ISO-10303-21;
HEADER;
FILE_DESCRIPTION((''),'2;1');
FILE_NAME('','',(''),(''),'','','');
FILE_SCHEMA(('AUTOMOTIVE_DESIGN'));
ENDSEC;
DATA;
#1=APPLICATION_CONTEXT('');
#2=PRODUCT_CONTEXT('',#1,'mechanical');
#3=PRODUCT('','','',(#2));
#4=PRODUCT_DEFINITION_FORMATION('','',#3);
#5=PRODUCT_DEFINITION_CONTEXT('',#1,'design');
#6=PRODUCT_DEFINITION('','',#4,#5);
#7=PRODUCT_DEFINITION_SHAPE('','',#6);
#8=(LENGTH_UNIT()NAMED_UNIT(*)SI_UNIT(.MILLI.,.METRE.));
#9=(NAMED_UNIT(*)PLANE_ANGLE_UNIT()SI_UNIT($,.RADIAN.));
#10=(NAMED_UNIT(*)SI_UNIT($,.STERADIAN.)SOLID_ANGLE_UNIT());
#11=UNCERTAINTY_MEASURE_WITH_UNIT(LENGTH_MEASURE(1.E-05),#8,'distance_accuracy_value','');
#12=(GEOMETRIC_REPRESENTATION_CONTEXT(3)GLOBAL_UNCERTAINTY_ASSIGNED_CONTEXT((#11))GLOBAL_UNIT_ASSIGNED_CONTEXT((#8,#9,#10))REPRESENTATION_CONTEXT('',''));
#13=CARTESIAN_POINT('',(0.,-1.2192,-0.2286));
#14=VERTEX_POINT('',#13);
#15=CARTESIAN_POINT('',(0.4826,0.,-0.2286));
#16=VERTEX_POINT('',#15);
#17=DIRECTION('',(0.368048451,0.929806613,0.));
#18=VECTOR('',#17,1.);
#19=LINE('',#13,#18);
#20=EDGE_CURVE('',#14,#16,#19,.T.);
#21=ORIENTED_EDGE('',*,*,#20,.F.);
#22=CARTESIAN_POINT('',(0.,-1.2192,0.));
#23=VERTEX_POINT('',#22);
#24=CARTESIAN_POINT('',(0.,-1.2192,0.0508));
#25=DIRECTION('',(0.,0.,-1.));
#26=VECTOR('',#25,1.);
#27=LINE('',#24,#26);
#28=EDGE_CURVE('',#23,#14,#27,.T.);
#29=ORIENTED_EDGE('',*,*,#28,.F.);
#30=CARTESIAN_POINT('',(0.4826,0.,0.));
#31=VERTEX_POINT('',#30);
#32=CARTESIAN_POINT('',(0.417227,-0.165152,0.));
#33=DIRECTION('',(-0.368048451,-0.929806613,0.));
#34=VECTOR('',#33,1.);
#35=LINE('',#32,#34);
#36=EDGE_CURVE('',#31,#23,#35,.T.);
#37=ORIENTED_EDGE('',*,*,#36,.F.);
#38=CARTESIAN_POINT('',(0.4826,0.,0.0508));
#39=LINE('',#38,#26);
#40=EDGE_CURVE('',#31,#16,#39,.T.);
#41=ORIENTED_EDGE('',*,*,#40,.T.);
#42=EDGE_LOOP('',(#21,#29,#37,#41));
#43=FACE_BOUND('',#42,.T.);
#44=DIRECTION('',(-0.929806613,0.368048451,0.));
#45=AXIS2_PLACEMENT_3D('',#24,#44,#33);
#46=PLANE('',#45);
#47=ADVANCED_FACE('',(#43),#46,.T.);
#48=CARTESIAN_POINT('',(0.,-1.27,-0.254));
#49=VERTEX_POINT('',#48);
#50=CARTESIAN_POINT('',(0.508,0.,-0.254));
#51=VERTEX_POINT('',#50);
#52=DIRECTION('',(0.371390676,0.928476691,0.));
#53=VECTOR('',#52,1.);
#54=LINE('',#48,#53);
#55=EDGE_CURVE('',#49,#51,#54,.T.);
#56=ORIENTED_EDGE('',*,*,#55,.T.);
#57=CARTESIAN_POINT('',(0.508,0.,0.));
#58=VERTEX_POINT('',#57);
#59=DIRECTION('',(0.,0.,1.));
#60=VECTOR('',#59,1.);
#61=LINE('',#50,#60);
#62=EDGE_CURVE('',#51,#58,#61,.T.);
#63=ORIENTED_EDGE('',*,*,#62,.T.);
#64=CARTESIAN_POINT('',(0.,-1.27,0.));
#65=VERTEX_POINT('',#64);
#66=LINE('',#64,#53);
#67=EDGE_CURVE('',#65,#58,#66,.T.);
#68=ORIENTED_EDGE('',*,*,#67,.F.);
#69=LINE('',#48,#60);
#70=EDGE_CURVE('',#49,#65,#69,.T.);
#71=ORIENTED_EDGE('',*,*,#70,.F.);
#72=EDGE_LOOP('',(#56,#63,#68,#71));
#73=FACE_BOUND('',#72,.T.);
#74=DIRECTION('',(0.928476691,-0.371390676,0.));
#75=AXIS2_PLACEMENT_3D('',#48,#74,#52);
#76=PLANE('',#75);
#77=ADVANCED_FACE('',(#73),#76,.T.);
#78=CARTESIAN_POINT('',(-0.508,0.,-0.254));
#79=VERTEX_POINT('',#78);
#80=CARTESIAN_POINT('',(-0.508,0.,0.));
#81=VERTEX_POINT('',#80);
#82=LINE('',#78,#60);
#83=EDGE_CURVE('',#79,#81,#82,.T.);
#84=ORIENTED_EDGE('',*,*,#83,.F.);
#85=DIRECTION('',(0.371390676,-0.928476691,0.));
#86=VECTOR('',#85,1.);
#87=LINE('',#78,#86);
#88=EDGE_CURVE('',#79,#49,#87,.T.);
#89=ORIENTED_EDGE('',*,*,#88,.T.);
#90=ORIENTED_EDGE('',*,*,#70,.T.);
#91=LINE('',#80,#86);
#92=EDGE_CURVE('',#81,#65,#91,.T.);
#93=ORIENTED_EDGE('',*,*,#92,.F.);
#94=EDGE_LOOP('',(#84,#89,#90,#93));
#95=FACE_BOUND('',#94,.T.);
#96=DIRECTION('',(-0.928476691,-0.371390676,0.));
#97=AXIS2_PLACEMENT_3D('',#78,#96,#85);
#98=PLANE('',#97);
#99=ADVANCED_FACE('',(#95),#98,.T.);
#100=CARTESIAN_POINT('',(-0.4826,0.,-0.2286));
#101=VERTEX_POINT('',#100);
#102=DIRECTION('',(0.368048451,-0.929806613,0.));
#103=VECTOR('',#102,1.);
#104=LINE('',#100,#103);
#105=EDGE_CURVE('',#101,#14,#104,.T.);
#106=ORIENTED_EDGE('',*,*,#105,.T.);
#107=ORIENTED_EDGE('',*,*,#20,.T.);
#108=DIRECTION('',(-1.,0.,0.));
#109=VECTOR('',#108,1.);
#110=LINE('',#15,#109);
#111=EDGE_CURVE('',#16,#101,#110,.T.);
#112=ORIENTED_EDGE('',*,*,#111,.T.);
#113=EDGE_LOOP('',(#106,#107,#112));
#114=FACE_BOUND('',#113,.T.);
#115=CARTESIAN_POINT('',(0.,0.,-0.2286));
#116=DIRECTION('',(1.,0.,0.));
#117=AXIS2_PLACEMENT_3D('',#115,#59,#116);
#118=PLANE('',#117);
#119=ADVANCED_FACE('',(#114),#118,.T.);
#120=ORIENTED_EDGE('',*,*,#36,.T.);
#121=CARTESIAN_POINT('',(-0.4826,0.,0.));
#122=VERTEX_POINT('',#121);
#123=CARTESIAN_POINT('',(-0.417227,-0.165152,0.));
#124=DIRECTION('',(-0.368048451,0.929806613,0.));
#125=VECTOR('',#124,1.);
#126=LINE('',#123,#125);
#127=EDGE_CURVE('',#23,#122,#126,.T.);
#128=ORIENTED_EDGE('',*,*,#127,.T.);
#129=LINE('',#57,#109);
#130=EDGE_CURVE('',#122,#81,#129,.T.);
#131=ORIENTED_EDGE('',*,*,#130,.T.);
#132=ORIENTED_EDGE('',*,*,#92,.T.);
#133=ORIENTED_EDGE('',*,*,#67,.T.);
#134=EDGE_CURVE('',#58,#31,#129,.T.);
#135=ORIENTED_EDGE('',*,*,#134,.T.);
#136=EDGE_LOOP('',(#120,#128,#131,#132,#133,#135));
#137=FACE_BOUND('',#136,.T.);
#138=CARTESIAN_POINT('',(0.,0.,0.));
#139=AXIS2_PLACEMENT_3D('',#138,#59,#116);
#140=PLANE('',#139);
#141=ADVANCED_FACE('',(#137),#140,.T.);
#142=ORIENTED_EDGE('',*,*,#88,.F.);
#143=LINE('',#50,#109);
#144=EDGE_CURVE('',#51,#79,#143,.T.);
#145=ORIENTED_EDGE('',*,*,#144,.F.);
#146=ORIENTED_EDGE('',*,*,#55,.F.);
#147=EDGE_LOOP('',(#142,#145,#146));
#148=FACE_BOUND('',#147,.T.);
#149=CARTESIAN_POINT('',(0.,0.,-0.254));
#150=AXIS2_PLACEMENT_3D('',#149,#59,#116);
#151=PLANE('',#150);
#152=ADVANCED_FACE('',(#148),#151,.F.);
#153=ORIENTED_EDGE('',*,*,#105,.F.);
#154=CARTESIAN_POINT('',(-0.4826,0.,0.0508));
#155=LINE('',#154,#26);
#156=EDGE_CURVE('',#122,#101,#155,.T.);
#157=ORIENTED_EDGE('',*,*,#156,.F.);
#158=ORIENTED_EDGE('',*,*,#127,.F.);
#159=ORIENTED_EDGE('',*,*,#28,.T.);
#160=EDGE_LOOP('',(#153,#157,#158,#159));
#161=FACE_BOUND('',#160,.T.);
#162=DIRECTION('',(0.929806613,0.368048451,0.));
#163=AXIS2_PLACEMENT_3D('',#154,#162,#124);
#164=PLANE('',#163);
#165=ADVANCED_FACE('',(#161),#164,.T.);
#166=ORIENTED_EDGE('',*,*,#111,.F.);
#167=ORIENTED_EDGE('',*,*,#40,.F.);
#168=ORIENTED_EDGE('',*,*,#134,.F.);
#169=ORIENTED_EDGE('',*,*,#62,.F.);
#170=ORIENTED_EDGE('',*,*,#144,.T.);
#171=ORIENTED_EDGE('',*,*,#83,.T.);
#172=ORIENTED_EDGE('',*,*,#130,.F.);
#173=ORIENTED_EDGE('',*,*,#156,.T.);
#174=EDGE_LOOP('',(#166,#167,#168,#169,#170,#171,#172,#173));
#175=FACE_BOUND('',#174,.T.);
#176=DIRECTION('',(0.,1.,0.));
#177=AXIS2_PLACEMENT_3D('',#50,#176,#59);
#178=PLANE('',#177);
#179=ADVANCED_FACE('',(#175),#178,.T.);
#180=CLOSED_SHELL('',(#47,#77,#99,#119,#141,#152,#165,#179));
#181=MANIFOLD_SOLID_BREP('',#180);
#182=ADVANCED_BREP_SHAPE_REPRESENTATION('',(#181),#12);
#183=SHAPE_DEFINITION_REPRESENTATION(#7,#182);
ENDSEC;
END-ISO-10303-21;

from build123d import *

# Parameters (mm, degrees)
BOSS_EXTRUDE1_DEPTH = 0.254
CUT_EXTRUDE1_DEPTH  = 0.2794


with BuildPart() as part:
    # Sketch1 → Boss-Extrude1 (new body)
    with BuildSketch(Plane.XY):
        Polygon((-0.508, 0), (0, -1.27), (0.508, 0), align=None)
    extrude(amount=-BOSS_EXTRUDE1_DEPTH)

    # Sketch2 → Cut-Extrude1 (cut)
    with BuildSketch(Plane.XY.offset(-0.2286)):
        Polygon((-0.4826, 0), (0, -1.2192), (0.4826, 0), align=None)
    extrude(amount=CUT_EXTRUDE1_DEPTH, mode=Mode.SUBTRACT)


solid = part.part
